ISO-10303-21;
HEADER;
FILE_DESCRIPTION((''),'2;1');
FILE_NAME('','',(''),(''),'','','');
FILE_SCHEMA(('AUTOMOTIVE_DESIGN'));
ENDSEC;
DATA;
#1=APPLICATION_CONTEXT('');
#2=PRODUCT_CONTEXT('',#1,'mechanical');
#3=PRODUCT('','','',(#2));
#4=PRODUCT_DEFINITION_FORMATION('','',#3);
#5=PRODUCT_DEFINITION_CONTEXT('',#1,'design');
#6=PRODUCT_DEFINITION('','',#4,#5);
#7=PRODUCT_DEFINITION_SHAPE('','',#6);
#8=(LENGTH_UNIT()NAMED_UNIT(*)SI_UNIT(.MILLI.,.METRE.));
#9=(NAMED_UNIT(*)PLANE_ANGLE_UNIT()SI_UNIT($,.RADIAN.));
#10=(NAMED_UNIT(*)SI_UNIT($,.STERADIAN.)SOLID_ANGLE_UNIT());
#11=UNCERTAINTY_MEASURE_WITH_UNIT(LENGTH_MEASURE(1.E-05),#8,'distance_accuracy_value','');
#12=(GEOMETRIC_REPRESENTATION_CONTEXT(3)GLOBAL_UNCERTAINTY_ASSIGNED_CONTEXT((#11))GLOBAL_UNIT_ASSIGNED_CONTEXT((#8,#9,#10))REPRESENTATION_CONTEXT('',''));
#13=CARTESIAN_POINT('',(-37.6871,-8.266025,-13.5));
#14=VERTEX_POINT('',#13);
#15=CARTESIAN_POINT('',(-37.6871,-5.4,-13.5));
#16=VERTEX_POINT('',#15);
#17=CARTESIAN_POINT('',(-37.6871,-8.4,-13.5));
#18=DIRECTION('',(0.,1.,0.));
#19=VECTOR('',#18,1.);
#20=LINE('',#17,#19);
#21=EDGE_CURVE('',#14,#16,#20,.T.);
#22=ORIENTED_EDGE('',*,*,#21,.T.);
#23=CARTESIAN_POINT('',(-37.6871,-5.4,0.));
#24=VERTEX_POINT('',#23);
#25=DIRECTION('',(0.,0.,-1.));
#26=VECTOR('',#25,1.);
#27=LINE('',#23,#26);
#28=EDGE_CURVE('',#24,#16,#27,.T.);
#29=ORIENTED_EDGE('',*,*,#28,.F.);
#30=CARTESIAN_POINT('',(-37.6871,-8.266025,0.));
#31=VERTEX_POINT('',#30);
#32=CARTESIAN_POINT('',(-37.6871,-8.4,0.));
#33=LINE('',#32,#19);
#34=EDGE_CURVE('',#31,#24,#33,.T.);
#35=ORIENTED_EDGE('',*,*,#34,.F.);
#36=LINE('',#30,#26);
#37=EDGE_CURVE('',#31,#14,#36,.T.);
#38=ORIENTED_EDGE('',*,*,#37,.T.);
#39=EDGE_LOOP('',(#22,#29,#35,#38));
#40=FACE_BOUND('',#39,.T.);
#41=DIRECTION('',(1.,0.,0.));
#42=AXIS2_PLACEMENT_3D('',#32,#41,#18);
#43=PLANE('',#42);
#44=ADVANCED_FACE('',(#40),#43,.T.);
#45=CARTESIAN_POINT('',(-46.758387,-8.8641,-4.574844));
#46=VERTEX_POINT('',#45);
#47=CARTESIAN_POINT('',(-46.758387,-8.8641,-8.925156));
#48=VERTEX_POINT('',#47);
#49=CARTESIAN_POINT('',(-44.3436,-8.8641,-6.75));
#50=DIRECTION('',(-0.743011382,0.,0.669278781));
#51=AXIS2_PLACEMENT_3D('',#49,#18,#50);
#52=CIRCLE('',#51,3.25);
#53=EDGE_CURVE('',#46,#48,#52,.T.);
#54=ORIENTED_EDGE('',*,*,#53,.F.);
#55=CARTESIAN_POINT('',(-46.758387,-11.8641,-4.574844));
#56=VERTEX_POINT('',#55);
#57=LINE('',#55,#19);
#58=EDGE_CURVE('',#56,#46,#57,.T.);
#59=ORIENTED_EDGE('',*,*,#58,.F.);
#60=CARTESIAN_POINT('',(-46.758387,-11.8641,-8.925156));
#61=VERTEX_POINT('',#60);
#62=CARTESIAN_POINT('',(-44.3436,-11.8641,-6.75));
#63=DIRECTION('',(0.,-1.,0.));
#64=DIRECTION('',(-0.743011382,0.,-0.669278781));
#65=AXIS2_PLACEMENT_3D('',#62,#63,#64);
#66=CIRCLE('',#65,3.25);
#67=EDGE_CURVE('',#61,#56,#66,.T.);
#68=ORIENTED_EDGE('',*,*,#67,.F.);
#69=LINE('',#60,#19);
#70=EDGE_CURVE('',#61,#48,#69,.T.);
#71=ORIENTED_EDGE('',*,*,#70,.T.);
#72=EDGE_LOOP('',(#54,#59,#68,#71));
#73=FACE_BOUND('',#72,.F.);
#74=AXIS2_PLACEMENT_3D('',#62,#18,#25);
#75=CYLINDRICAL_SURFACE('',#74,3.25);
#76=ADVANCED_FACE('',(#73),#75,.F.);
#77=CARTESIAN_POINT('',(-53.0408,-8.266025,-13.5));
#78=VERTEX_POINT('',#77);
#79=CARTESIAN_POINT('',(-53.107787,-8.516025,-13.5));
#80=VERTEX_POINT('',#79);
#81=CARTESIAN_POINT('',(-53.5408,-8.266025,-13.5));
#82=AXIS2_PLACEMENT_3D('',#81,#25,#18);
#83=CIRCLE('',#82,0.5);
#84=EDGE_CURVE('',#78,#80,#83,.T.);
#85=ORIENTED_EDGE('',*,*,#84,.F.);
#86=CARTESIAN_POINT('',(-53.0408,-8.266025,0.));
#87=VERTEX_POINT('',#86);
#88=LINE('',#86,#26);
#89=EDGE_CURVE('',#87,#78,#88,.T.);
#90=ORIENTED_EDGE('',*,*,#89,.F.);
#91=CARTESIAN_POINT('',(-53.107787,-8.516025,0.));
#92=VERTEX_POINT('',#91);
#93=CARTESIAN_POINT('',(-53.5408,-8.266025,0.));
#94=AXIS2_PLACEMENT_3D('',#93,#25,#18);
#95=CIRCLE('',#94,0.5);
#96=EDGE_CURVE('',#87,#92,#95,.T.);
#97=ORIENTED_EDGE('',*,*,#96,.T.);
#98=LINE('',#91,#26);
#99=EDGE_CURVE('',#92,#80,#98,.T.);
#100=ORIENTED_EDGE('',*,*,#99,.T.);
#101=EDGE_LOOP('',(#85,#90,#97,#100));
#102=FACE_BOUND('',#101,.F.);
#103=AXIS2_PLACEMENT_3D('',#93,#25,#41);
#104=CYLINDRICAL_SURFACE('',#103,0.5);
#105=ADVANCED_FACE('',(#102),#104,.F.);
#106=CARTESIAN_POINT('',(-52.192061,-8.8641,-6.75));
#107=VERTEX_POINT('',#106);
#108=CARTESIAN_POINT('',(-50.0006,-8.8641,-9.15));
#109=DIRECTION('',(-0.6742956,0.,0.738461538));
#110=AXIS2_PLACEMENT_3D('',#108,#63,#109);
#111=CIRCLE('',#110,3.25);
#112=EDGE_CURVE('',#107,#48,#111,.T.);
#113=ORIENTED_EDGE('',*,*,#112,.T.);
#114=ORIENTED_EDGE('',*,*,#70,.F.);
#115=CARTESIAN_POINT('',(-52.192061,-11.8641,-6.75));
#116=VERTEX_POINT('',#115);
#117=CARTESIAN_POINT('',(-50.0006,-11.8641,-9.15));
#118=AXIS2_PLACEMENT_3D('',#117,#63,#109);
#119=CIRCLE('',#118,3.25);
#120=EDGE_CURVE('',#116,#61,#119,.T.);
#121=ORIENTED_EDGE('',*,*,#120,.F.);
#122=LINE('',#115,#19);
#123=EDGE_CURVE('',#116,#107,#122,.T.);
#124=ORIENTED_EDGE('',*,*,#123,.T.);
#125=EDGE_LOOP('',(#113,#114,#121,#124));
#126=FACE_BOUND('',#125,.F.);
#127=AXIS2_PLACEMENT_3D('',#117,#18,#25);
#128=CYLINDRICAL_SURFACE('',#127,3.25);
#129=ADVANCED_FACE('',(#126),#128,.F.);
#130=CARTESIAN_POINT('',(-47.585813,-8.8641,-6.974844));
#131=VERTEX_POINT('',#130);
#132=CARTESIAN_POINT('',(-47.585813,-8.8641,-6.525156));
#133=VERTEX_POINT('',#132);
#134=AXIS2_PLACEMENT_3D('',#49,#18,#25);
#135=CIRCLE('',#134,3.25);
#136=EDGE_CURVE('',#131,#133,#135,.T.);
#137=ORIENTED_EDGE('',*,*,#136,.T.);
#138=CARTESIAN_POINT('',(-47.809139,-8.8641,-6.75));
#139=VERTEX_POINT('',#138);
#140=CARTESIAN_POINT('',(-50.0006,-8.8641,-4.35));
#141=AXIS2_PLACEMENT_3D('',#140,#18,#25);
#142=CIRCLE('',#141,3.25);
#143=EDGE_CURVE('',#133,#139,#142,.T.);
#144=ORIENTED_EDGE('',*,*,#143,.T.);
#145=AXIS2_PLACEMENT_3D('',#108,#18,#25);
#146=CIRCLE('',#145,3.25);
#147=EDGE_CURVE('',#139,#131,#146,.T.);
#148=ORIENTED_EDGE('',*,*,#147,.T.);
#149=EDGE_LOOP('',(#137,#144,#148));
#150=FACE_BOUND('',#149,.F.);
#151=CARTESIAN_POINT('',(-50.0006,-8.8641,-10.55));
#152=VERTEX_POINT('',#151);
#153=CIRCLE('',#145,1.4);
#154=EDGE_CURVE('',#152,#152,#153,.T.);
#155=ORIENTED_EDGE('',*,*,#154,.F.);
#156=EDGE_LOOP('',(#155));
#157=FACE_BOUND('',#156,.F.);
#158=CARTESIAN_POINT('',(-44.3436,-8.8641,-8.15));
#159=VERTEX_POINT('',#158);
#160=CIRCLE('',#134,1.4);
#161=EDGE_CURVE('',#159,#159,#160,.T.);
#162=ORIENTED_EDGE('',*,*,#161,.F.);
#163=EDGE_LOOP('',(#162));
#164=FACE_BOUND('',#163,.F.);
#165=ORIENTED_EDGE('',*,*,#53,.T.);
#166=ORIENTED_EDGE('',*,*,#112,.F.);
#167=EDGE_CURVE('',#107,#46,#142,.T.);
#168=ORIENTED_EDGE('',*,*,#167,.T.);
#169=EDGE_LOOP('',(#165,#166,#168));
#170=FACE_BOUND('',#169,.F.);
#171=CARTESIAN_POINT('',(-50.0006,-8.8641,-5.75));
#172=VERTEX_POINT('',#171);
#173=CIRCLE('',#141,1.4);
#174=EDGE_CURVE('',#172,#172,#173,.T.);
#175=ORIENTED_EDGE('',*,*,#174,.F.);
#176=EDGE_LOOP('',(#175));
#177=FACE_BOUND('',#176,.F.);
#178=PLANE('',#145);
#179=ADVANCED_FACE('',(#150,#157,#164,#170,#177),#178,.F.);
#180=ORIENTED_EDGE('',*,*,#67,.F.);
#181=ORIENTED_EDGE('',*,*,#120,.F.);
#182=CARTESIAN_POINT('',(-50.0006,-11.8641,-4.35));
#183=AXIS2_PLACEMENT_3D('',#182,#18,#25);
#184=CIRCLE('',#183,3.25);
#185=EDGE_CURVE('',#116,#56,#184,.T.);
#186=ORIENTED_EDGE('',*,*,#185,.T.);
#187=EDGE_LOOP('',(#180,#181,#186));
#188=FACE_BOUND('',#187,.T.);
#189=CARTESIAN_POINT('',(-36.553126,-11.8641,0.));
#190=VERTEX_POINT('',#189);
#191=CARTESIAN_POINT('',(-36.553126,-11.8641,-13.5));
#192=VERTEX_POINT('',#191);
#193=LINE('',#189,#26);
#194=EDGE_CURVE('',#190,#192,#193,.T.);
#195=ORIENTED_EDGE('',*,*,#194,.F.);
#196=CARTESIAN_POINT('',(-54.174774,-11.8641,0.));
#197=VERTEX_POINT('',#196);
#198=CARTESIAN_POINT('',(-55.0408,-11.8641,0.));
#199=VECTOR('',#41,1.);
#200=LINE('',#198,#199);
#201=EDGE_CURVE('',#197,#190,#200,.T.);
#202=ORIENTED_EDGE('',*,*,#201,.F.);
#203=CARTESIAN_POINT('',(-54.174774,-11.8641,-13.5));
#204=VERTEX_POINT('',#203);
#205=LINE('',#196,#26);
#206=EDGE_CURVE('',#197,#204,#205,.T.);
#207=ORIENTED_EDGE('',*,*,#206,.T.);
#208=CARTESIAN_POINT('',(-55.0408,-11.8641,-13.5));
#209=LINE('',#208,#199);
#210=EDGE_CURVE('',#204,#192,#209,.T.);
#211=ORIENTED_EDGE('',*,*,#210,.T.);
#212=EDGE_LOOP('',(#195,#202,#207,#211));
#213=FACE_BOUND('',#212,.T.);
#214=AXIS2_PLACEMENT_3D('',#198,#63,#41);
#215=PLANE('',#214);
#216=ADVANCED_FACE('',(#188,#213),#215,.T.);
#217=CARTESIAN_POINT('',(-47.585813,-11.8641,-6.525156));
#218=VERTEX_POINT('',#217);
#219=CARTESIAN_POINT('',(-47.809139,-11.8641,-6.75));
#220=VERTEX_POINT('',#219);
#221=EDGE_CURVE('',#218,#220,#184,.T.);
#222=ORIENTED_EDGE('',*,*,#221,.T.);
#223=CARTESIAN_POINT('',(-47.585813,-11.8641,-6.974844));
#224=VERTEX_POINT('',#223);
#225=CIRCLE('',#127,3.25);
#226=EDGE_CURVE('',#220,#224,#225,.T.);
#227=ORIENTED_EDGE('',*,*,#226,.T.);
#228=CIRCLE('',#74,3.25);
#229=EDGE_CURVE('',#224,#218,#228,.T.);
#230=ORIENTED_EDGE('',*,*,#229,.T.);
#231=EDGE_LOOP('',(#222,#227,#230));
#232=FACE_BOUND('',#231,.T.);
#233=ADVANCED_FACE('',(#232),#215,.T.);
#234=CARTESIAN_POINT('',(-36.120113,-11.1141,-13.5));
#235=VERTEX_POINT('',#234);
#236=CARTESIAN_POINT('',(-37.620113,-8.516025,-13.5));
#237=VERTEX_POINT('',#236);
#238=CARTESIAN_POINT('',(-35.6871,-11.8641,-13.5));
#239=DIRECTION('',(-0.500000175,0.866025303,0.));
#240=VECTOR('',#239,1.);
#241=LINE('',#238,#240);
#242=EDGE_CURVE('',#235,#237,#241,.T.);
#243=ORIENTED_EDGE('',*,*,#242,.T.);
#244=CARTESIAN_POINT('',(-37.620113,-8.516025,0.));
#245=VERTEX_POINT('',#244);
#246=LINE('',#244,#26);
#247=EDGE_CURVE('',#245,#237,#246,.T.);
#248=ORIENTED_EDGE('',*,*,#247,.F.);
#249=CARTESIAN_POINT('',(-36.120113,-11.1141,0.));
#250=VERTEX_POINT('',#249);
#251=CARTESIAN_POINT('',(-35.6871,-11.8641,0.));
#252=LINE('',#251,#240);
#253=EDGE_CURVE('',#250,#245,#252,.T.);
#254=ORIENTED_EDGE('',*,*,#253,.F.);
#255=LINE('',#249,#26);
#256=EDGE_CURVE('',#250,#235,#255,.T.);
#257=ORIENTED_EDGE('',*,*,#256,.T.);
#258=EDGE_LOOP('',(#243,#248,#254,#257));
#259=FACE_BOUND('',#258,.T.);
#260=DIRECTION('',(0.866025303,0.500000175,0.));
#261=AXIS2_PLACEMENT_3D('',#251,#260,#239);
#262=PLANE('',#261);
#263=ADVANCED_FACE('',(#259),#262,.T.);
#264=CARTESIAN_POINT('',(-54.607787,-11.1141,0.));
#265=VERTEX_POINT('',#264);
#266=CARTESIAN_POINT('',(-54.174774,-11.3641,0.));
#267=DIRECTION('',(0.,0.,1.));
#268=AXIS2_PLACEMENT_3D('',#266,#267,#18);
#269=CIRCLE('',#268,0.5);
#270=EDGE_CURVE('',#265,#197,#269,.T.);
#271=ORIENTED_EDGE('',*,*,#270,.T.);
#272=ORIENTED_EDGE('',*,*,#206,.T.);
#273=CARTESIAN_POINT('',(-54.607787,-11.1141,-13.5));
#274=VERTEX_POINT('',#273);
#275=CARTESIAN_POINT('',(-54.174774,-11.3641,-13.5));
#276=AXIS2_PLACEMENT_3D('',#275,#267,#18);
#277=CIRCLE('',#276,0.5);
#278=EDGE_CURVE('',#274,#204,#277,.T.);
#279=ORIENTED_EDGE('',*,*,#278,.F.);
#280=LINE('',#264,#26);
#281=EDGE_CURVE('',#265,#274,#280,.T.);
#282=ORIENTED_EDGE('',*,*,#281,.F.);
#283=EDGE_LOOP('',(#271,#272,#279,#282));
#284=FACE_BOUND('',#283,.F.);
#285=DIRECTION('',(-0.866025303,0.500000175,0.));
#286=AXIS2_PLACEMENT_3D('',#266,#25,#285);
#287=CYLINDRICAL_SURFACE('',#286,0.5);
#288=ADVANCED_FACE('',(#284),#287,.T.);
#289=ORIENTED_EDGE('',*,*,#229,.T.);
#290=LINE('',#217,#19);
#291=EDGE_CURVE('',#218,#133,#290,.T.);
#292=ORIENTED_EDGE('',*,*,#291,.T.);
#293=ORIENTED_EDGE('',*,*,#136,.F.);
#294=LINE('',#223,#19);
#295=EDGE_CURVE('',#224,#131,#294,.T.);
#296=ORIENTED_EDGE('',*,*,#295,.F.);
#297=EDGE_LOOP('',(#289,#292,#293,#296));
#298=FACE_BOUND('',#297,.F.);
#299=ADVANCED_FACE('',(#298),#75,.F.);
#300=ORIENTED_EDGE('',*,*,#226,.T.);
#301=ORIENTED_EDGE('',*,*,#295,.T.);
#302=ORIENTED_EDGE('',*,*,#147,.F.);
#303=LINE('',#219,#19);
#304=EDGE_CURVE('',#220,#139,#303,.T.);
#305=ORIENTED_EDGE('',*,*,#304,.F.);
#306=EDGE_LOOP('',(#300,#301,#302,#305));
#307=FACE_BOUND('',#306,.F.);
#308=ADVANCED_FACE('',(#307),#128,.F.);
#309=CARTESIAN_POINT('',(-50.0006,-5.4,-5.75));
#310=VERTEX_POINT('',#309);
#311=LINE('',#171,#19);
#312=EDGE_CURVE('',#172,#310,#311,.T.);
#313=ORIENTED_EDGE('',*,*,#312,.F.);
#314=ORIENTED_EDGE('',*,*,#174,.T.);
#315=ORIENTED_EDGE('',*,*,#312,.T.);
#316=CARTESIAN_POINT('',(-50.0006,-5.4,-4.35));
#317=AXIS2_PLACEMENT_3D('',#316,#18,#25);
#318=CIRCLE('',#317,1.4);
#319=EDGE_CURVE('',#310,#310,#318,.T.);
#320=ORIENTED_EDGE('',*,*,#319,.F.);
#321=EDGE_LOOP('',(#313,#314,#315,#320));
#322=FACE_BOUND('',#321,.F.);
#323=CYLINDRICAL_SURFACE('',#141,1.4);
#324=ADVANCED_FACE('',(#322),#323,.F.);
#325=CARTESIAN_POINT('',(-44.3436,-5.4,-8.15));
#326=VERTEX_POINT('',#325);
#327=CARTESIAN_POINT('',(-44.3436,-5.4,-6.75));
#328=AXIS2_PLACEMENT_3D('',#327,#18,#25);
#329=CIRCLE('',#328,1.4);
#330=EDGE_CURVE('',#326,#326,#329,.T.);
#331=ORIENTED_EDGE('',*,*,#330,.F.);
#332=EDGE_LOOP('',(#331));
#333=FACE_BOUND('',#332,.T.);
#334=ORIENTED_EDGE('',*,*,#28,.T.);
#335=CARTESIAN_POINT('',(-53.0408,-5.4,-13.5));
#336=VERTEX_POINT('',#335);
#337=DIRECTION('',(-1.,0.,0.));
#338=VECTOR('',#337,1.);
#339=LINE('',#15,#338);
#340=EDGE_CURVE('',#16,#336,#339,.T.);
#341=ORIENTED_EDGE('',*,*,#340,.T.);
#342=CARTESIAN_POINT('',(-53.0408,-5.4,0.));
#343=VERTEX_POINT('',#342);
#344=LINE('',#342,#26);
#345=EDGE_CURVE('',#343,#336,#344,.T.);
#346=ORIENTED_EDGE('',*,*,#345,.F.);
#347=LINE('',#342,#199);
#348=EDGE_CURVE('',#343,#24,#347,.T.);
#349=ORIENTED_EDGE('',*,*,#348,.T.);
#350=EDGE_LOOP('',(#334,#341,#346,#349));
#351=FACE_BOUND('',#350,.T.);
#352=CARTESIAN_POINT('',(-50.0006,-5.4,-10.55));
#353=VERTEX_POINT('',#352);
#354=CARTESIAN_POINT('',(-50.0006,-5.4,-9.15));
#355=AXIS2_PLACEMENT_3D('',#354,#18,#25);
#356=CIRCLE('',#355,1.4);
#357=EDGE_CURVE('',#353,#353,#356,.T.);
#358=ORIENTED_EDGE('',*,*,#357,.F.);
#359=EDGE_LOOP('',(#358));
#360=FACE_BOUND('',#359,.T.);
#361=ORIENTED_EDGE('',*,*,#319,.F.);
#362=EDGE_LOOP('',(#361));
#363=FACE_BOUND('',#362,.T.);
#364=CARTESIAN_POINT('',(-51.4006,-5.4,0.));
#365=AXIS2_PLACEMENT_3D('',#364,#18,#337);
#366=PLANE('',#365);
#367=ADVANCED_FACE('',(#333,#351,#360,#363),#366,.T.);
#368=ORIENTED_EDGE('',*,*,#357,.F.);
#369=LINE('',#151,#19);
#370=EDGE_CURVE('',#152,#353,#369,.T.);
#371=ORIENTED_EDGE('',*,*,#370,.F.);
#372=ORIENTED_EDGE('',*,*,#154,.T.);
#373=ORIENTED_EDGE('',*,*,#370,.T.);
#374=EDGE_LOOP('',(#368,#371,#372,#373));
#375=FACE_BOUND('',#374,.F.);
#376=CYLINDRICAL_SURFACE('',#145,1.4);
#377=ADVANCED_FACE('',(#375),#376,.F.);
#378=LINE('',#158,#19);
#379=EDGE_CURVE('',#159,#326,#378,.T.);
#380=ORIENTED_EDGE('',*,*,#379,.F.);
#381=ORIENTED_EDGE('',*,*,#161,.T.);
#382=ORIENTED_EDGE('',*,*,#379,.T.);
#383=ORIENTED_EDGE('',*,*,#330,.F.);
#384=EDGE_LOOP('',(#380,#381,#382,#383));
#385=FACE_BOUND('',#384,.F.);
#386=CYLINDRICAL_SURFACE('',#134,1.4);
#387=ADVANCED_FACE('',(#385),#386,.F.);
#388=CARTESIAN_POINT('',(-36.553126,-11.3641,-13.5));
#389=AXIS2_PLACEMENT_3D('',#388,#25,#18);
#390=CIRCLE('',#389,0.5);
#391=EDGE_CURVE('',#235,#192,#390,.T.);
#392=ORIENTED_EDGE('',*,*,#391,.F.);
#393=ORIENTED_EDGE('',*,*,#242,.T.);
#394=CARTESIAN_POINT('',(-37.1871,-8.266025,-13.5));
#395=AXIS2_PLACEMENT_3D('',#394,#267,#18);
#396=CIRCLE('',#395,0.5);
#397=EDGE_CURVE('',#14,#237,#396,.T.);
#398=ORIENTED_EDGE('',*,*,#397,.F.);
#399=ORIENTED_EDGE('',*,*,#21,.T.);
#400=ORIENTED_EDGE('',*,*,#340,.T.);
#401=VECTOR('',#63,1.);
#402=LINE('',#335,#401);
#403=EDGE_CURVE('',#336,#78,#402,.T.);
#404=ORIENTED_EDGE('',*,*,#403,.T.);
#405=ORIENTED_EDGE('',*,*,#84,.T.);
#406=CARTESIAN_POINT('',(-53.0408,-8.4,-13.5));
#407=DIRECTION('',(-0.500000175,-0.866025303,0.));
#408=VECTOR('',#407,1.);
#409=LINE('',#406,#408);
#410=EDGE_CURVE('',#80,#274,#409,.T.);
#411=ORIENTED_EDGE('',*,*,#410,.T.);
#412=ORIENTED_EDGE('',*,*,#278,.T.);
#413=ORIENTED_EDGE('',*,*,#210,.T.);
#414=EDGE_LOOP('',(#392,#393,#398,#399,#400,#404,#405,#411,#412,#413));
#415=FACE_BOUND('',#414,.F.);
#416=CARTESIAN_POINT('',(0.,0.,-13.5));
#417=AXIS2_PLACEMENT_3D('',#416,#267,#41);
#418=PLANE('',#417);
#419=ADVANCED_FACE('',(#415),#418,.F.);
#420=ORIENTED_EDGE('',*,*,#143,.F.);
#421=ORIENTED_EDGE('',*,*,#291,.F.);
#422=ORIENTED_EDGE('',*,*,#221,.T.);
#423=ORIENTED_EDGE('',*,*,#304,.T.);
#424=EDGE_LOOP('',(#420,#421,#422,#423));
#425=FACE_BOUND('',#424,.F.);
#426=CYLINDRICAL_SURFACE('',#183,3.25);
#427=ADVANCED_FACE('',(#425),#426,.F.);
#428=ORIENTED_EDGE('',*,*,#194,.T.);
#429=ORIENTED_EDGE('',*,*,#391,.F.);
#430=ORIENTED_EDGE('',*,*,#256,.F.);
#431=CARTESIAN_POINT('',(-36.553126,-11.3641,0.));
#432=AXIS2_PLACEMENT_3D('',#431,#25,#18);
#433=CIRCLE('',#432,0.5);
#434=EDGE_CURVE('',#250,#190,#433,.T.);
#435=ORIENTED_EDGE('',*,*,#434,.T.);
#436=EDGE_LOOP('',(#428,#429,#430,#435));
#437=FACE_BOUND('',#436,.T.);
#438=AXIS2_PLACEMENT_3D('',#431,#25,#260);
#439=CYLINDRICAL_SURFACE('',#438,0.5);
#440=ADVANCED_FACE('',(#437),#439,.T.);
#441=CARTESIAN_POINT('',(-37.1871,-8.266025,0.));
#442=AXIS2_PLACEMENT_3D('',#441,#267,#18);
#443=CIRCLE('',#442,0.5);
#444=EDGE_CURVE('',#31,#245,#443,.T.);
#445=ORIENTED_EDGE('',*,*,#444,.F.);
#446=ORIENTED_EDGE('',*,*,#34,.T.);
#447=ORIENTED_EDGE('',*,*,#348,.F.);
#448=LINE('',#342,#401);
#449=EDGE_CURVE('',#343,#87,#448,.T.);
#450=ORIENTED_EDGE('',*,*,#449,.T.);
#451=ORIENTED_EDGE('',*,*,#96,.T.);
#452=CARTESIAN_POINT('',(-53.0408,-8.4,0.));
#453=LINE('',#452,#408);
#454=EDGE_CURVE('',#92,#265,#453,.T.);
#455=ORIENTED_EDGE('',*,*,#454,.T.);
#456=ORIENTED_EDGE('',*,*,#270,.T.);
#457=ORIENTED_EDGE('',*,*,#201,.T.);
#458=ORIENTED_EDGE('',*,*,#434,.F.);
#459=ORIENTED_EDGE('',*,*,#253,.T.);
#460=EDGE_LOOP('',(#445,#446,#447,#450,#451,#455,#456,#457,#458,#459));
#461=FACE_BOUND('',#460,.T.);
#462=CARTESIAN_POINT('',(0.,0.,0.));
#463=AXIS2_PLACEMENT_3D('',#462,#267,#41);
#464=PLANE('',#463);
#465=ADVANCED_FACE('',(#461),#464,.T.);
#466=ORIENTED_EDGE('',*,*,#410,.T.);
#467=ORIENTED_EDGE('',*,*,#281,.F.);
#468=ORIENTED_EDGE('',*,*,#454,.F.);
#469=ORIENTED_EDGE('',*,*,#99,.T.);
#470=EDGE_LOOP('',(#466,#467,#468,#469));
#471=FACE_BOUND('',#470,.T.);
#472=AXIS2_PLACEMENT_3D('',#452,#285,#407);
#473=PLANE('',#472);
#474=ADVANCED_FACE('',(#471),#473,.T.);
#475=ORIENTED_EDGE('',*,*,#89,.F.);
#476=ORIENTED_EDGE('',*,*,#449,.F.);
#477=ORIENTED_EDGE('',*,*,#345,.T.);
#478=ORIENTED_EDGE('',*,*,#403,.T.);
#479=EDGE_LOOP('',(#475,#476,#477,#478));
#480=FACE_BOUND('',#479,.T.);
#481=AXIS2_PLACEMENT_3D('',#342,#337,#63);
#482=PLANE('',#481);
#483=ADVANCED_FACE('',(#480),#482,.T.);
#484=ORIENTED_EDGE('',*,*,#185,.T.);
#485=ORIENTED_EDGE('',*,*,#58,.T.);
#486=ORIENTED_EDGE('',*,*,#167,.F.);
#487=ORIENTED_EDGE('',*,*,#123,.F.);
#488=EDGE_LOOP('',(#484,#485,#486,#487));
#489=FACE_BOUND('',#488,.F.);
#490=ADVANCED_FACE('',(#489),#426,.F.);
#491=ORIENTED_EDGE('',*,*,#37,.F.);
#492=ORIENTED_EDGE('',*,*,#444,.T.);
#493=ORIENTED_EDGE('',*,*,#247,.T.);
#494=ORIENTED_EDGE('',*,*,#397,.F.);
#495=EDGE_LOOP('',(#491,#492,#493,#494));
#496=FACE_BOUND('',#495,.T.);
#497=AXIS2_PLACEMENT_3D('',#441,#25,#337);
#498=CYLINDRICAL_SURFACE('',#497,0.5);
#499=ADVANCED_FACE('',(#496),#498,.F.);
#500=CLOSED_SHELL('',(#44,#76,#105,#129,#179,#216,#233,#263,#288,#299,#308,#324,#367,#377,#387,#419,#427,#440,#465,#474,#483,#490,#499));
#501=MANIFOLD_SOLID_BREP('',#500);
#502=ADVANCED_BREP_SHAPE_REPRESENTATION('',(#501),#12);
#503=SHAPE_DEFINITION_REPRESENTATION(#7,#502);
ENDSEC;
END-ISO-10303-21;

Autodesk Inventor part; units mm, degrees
ref_plane "YZ Plane" through (0, 0, 0) normal (1, 0, 0) x (0, 1, 0)
ref_plane "XZ Plane" through (0, 0, 0) normal (0, 1, 0) x (-1, 0, 0)
ref_plane "Arbeitsebene1" through (0, 0, 0) normal (0, 0, 1) x (1, 0, 0)
sketch "Skizze1" plane through (0, 0, 0) normal (0, 0, 1) x (1, 0, 0)
  arc A0 (-53, 5.4) -> (-47.2, -0.4) centre (-47.2, 5.4) ccw projected
  line L0 (-53, -5.4) -> (-53, 5.4) projected
  line L1 (-35.6871, -5.4) -> (-53, -5.4) projected
  line L2 (-35.6871, -0.4) -> (-35.6871, -5.4) projected
  line L3 (-47.2, -0.4) -> (-35.6871, -0.4) projected
  line L4 (-67.0006, -5.9) -> (-67.0006, -9.9) projected
  line L5 (-31.7506, -5.4) -> (-31.7506, -10.4) projected
  line L6 (-33.0006, -5.9) -> (-33.0006, -9.9) construction
  line L7 (-32.5561, -5.4) -> (-32.5561, -10.4) projected
  line L8 (-51.4006, -5.4) -> (-51.4006, 4.6)
  line L9 (-48.6006, -5.4) -> (-48.6006, 2.412)
  line L10 (-35.6871, -5.4) -> (-53.0408, -5.4)
  line L11 (-53.0408, -5.4) -> (-53.0408, -8.4)
  line L12 (-53.0408, -8.4) -> (-37.6871, -8.4)
  line L13 (-37.6871, -8.4) -> (-37.6871, -5.4)
  line L14 (-53.0408, -8.4) -> (-55.0408, -11.8641)
  line L15 (-53.0408, -8.4) -> (-49.0408, -8.4) construction
  line L16 (-55.0408, -11.8641) -> (-35.6871, -11.8641)
  line L17 (-35.6871, -11.8641) -> (-37.6871, -8.4)
  point P0 (0, 0)
  dimension "d0" = 3
  dimension "d1" = 4
  dimension "d2" = 120
  dimension "d3" = 60
  dimension "d14" = 2
ref_plane "Arbeitsebene2" through (-53, -5.4, -13.5) normal (0, 0, -1) x (0, 1, 0)
extrude "Extrusion1" add sketch "Skizze1" against normal up to surface (13.5 mm away) contours L1 L13 L12 L11 L10 | L12 L17 L16 L14
fillet "Rundung1" radius 0.5 4 edges at (-55.0408, -11.8641, -6.75) (-35.6871, -11.8641, -6.75) (-53.0408, -8.4, -6.75) (-37.6871, -8.4, -6.75)
sketch "Skizze2" plane through (-54.1748, -11.8641, 0) normal (0, -1, 0) x (1, 0, 0)
  circle A0 centre (9.8312, -6.75) radius 1.4 projected
  circle A1 centre (4.1742, -4.35) radius 1.4 projected
  line L0 (-0.6431, -6.75) -> (20.1351, -6.75)
  circle A2 centre (4.1742, -9.15) radius 1.4
  point P0 (54.1748, 0)
hole "Bohrung1" at (-50.0006, -11.8641, -4.35) at (-44.3436, -11.8641, -6.75) at (-50.0006, -11.8641, -9.15) direction (0, 1, 0) diameter 2.8 depth 14 tip angle 118 counterbore diameter 6.5 counterbore depth 3
properties part number "10_Cassete_Slide"
